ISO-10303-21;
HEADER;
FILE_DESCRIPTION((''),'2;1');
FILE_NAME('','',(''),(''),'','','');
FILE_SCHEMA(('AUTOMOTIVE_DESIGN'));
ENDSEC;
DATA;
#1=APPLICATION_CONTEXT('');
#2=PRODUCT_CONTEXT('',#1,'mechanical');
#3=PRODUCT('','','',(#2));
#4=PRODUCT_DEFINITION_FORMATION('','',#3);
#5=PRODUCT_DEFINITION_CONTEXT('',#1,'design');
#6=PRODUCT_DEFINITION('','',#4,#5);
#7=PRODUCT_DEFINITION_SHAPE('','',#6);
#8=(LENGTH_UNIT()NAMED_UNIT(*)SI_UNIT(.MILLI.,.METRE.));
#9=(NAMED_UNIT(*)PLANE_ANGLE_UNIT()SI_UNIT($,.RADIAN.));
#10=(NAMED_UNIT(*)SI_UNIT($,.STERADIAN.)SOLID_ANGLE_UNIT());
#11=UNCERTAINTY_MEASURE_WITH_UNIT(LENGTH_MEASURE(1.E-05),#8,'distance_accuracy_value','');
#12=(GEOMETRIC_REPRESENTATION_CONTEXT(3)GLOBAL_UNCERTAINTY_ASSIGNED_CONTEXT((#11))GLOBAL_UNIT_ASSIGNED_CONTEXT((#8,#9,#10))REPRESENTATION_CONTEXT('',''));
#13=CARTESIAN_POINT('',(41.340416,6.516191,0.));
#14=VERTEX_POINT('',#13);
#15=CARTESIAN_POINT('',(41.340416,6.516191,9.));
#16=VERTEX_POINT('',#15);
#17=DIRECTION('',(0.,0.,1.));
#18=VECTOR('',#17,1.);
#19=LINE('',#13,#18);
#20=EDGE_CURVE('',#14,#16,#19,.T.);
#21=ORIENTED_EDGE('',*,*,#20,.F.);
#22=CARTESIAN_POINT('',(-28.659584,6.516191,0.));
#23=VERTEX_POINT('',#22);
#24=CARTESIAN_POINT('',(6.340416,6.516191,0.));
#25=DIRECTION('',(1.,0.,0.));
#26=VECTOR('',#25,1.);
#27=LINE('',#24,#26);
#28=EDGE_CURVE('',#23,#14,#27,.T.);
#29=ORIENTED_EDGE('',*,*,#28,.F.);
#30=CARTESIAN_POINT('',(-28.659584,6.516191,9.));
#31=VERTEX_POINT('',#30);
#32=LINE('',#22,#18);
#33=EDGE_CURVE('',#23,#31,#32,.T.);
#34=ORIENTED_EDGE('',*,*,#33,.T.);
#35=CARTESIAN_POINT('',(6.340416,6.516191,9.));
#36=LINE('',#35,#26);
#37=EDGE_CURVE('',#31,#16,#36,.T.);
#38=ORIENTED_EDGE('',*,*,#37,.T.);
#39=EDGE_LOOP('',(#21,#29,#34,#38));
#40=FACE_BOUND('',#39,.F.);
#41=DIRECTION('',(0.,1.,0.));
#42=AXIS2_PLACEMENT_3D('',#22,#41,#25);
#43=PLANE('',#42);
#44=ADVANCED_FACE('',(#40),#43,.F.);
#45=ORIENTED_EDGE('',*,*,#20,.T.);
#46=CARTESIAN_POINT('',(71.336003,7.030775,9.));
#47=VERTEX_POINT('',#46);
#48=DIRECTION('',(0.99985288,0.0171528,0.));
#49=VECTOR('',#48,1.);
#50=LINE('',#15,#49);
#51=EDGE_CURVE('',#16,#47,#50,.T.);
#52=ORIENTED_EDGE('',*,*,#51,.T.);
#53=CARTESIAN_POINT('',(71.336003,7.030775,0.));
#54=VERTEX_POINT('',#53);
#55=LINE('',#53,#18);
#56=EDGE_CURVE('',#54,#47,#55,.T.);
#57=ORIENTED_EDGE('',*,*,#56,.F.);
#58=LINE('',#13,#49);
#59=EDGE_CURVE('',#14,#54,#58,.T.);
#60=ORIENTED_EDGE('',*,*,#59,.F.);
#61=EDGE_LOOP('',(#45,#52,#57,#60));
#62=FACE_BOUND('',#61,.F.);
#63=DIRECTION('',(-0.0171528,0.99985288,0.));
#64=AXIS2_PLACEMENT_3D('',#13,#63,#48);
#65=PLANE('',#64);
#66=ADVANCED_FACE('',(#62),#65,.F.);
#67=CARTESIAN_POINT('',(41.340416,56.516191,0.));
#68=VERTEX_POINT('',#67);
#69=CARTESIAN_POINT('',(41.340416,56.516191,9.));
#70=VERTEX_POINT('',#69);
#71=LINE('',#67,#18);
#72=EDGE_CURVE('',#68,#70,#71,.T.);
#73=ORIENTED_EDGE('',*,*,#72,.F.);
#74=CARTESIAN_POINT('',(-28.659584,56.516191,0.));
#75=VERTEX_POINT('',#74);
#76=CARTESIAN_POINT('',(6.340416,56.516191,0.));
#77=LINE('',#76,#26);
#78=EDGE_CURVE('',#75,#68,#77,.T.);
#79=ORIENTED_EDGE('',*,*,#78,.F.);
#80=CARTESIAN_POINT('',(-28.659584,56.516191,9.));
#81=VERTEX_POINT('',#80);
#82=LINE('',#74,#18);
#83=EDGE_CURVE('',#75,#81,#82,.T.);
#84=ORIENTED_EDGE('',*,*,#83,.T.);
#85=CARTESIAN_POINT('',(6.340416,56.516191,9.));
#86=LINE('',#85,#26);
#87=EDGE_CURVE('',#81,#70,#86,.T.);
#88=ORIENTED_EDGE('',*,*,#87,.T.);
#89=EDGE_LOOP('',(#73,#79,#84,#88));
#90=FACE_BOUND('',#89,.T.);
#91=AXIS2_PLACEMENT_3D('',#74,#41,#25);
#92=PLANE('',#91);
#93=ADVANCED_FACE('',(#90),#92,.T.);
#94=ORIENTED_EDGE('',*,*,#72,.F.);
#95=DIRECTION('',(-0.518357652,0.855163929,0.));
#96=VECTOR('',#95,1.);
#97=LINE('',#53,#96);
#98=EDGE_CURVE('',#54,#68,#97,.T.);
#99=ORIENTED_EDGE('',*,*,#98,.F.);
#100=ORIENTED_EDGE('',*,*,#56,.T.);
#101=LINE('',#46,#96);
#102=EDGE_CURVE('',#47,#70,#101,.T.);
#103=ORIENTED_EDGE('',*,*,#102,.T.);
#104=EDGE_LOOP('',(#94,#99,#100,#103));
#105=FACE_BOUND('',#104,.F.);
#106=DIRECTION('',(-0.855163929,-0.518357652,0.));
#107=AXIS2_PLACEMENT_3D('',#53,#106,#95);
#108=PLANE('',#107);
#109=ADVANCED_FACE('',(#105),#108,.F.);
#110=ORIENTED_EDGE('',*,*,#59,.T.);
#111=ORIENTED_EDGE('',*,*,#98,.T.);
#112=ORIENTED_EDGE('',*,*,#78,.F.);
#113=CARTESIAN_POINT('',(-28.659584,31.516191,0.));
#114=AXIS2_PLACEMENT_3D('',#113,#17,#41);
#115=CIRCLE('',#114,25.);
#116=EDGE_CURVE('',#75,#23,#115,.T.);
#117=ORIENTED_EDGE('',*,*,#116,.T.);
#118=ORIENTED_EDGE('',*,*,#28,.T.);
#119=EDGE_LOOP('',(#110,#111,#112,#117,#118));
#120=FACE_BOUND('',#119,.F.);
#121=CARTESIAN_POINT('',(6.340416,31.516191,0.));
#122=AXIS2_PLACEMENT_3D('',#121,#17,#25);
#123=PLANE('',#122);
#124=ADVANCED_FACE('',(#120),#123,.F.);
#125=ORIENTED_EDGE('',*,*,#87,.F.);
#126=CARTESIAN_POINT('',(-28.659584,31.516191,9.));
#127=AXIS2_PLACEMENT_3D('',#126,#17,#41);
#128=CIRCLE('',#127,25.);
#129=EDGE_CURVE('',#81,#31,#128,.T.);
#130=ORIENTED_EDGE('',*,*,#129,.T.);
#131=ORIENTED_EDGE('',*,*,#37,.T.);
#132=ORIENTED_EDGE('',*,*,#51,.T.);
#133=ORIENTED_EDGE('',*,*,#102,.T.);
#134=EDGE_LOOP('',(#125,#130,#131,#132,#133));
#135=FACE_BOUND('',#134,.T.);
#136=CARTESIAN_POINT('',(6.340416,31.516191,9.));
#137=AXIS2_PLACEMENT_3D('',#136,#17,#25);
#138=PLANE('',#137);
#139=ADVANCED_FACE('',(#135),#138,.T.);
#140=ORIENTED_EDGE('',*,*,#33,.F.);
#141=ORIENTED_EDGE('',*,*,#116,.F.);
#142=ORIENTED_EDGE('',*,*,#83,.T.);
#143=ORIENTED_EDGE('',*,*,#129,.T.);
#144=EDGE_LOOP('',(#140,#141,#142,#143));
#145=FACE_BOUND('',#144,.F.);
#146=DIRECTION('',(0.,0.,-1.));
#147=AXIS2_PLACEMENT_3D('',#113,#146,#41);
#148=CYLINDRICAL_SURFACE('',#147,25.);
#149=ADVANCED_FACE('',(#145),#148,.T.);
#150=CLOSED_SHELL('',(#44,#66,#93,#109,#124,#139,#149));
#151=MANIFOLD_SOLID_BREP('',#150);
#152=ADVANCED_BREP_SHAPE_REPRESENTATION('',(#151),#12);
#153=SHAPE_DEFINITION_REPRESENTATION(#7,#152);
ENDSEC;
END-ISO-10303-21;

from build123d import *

# Parameters (mm, degrees)
F0_W     = 70
F0_H     = 50
F1_DEPTH = 9


with BuildPart() as f1:
    # F0 (on Top) → F1 (new body)
    with BuildSketch(Plane.XY):
        with Locations((6.340416, 31.516191)):
            Rectangle(F0_W, F0_H)
        with BuildLine():
            Line((-28.659584, 6.516191), (-28.659584, 56.516191))
            ThreePointArc((-28.659584, 56.516191), (-53.659584, 31.516191), (-28.659584, 6.516191))
        make_face()
        Polygon((71.336003, 7.030775), (41.340416, 56.516191), (41.340416, 6.516191), align=None)
    extrude(amount=F1_DEPTH)


solid = f1.part
